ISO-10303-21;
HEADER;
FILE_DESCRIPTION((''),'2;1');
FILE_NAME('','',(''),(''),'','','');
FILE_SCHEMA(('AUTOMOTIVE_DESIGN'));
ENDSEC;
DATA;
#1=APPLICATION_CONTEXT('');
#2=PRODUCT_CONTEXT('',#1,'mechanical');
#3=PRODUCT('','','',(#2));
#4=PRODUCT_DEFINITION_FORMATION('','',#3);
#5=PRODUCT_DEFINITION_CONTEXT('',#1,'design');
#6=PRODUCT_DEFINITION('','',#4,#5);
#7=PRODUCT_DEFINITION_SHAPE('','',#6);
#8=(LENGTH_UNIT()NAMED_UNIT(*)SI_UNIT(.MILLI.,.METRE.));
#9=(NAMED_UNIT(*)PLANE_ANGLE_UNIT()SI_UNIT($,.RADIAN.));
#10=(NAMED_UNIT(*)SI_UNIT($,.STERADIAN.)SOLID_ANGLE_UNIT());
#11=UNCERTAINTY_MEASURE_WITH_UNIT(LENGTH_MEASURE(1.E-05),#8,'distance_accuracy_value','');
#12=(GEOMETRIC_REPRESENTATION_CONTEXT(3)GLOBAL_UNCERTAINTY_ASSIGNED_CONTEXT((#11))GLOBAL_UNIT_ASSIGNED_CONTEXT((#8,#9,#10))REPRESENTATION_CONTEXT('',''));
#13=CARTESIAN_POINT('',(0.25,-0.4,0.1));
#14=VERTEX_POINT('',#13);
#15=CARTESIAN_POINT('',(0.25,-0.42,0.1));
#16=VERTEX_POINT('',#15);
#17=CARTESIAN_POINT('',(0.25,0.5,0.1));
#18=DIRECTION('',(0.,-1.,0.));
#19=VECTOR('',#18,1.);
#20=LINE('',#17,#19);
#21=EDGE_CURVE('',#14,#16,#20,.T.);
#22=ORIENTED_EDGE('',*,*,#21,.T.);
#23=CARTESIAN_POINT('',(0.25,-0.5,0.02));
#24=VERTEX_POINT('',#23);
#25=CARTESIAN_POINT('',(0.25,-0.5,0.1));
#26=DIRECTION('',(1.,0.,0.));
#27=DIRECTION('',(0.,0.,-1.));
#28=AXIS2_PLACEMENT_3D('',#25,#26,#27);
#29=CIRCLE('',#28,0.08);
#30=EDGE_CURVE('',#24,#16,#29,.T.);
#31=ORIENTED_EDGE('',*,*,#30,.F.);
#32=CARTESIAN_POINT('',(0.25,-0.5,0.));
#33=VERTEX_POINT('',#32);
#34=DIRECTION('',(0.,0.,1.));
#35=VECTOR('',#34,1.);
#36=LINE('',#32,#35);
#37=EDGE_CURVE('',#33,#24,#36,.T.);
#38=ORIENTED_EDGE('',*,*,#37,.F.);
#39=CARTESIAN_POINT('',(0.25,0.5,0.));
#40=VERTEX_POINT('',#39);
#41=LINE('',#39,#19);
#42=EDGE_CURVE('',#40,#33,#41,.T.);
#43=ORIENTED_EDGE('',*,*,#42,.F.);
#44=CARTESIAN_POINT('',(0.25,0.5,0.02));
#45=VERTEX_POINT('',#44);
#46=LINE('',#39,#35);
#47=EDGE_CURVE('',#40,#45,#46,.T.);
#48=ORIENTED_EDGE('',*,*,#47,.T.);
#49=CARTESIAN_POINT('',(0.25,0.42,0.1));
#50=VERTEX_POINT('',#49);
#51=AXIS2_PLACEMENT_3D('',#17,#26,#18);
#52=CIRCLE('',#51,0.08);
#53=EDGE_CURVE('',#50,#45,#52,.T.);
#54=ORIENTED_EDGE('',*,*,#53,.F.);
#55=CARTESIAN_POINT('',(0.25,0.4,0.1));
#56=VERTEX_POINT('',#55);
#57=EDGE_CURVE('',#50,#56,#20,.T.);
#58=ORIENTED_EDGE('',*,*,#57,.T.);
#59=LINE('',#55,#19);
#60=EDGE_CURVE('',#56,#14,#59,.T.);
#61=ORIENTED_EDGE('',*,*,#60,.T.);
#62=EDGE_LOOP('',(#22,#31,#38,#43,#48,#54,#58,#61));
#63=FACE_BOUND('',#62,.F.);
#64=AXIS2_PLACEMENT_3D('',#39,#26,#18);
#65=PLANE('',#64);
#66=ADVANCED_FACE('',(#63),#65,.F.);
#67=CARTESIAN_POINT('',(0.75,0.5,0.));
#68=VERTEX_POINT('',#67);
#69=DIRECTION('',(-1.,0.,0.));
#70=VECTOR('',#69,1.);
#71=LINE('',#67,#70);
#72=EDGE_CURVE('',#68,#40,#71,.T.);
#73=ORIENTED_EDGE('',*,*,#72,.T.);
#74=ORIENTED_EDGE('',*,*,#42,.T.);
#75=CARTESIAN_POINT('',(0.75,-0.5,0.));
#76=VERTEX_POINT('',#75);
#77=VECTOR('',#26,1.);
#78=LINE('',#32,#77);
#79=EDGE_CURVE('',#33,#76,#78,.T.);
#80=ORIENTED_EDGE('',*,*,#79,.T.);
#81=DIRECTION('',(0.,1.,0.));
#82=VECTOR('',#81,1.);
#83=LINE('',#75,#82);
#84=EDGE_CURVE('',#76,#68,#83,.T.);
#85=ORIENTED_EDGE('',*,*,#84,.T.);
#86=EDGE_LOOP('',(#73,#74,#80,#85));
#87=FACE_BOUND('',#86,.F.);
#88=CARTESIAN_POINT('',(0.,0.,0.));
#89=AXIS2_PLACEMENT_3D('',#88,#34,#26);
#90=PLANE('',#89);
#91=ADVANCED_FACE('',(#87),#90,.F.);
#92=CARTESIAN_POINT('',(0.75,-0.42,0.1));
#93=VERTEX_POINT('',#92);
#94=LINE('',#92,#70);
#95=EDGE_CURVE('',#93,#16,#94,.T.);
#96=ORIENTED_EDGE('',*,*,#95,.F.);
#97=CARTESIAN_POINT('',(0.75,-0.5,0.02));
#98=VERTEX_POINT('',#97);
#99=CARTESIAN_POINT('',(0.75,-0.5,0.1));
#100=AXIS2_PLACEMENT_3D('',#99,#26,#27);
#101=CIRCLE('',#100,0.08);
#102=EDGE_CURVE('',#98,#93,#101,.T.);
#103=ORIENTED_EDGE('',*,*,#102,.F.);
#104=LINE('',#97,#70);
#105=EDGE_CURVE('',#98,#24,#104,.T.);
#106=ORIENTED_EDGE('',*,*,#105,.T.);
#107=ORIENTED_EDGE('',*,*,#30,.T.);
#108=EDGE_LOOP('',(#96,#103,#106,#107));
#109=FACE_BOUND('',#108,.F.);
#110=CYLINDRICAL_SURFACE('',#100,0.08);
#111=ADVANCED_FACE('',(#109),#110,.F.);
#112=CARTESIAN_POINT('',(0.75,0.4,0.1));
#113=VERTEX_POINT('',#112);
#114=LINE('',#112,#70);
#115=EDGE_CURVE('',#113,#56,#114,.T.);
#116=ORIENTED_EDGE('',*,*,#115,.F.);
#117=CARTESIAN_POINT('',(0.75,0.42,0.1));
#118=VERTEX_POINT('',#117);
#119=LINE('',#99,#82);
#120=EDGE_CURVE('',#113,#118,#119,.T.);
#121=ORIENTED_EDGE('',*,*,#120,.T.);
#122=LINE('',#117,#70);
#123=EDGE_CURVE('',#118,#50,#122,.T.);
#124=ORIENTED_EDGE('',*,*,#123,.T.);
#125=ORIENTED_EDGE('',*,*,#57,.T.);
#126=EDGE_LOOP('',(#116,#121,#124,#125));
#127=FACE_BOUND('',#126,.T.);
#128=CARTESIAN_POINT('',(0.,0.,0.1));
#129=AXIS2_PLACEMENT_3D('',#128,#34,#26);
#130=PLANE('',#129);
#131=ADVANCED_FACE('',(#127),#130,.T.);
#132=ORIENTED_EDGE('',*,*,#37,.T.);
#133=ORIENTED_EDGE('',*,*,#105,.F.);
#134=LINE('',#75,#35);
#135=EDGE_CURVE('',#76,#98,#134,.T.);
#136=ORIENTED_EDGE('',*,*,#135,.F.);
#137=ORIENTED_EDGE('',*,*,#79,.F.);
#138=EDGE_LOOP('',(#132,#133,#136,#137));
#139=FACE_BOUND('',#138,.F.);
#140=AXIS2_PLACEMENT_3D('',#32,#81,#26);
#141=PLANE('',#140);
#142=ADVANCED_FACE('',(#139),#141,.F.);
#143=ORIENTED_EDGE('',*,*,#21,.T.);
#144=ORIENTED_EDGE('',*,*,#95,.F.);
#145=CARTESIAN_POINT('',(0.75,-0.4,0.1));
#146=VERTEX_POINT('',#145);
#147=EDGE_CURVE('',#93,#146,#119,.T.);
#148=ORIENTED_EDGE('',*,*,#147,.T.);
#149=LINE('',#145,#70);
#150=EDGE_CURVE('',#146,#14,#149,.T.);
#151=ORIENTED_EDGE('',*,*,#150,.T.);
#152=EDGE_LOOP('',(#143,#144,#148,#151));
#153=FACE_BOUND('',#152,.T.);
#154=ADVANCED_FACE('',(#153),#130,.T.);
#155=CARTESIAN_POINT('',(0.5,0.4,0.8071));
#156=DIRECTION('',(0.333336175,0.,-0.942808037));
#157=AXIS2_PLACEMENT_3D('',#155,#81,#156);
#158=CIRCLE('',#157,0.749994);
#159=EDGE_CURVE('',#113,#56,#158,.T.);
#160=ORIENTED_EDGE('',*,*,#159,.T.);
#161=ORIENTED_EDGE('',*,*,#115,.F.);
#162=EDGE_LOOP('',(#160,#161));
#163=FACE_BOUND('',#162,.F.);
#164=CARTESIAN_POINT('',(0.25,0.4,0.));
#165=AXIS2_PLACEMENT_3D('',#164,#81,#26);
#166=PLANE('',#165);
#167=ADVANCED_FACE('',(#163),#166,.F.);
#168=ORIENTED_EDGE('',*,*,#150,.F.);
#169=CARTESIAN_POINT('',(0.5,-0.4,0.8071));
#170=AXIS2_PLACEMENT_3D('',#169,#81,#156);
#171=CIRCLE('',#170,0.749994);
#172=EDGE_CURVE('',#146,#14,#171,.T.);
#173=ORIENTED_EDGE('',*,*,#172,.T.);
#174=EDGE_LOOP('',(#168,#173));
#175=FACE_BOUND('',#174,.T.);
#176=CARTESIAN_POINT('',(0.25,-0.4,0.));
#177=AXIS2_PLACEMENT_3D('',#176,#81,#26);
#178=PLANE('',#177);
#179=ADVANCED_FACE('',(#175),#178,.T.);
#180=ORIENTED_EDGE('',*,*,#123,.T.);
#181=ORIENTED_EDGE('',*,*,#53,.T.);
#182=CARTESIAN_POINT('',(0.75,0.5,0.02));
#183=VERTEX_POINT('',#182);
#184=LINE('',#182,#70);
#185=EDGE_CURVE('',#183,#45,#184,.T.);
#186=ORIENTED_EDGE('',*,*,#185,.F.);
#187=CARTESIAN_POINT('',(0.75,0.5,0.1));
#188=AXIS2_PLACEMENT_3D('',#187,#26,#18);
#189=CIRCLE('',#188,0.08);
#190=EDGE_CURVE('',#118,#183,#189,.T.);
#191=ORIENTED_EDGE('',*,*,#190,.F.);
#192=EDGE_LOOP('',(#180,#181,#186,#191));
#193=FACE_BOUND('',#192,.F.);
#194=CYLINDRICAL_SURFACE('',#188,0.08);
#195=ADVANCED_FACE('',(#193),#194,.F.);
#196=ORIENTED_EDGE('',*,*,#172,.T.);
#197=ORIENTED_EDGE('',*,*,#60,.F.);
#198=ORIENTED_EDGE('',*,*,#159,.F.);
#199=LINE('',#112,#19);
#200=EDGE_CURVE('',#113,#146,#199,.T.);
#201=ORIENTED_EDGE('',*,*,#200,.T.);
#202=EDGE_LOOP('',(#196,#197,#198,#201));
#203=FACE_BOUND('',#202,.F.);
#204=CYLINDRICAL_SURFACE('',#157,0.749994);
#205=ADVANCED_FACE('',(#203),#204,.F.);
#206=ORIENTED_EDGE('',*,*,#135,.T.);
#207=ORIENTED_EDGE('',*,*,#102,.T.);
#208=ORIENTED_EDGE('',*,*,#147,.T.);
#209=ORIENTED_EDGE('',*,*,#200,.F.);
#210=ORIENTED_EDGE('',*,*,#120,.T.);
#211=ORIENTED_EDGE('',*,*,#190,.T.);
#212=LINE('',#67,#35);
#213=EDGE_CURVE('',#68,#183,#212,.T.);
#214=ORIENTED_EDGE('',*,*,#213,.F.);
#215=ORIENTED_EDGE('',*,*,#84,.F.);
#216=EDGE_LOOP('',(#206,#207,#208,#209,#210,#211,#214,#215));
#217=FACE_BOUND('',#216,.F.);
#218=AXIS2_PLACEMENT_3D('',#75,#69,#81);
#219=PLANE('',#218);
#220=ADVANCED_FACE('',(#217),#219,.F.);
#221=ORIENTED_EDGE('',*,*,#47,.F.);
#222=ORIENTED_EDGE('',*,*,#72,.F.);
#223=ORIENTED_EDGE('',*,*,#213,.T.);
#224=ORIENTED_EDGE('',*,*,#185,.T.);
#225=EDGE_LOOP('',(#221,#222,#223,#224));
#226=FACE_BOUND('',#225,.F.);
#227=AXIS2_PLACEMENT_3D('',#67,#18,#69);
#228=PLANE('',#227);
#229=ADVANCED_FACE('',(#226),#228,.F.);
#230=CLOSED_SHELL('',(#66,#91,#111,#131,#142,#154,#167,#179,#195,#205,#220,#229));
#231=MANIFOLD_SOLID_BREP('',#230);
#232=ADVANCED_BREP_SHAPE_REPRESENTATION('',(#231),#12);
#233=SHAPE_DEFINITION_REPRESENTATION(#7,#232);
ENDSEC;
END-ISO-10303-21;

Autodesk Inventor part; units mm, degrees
ref_plane "YZ Plane" through (0, 0, 0) normal (1, 0, 0) x (0, 1, 0)
sketch "스케치1" plane through (0, 0, 0) normal (0, 0, 1) x (1, 0, 0)
  line L0 (-0.15, 0) -> (0.9, 0) construction
  line L1 (0, -0.7) -> (0, 0.7) construction
  line L2 (0.25, -0.5) -> (0.75, -0.5)
  line L3 (0.75, -0.5) -> (0.75, 0.5)
  line L4 (0.75, 0.5) -> (0.25, 0.5)
  line L5 (0.25, 0.5) -> (0.25, -0.5)
  point P0 (0, 0)
  point P1 (0.5, -0.5)
  dimension "d7" = 0.5
  dimension "d8" = 1
  dimension "d9" = 0.25
extrude "돌출1" add sketch "스케치1" along normal blind 0.1
sketch "스케치3" plane through (0.25, 0.5, 0) normal (0, 1, 0) x (1, 0, 0)
  line L0 (-0.25, 0.7571) -> (-0.25, -0.2929) construction
  line L1 (-0.4, 0) -> (0.65, 0) construction
  line L2 (0.5, 0) -> (0, 0) projected
  line L3 (0, 0) -> (0, -0.1) projected
  line L4 (0.5, -0.1) -> (0, -0.1) projected
  line L5 (0.5, 0) -> (0.5, -0.1) projected
  arc A0 (0, -0.1) -> (0.5, -0.1) centre (0.25, 0.6071) ccw
  line L6 (0.25, -0.1) -> (0.25, 0.4799) construction
  point P0 (-0.25, 0)
  dimension "d10" = 0.75
sketch "스케치5" plane through (0, 0, 0.1) normal (0, 0, 1) x (1, 0, 0)
  line L0 (0.75, -0.5) -> (0.75, 0.5) projected
  line L1 (0.75, 0.5) -> (0.25, 0.5) projected
  line L2 (0.25, 0.5) -> (0.25, -0.5) projected
  line L3 (0.25, -0.5) -> (0.75, -0.5) projected
  line L4 (-0.15, 0) -> (0.9, 0) construction
  line L5 (0, -0.7) -> (0, 0.7) construction
  line L6 (-0.15, 0) -> (0.9, 0) construction
  line L7 (0, 0.7) -> (0, -0.7) construction
  line L8 (0.75, 0.4) -> (0.25, 0.4)
  line L9 (0.75, -0.4) -> (0.25, -0.4)
  point P0 (0, 0)
  dimension "d18" = 1
  dimension "d19" = 0.4
sketch "스케치6" plane through (0.75, -0.5, 0) normal (1, 0, 0) x (0, 0, -1)
  line L0 (0, 0) -> (0, 1) projected
  line L1 (0, 1) -> (-0.1, 1) projected
  line L2 (-0.1, 0) -> (-0.1, 1) projected
  line L3 (0, 0) -> (-0.1, 0) projected
  line L4 (0, 0.5) -> (-0.1, 0.5) construction
  line L5 (0, 0.92) -> (-0.1, 0.92)
  arc A0 (-0.1, 0.92) -> (-0.02, 1) centre (-0.1, 1) ccw
  arc A1 (-0.02, 0) -> (-0.1, 0.08) centre (-0.1, 0) ccw
  point P0 (-0.05, 0.5)
  point P1 (-0.05, 0.92)
  point P2 (-0.02, 0)
  point P3 (-0.1, 0.08)
  dimension "d20" = 0.42
extrude "돌출5" cut sketch "스케치6" against normal up to surface (0.5 mm away) contours L3 L2 A1 | L2 L1 A0
ref_plane "작업 평면1" through (0.25, 0.4, 0) normal (0, 1, 0) x (1, 0, 0)
sketch "스케치7" plane through (0.25, 0.4, 0) normal (0, 1, 0) x (1, 0, 0)
  line L0 (0, -0.1) -> (0, -0.02) projected
  line L1 (0.5, -0.1) -> (0, -0.1) projected
  line L2 (0.5, -0.02) -> (0.5, -0.1) projected
  line L3 (0, -0.02) -> (0.5, -0.02) projected
  line L4 (0, -0.02) -> (0.5, -0.02) projected
  arc A0 (0.5, -0.1) -> (0, -0.1) centre (0.25, -0.8071) ccw
  point P0 (-0.25, 0)
  dimension "d24" = 0.75
ref_plane "작업 평면2" through (0.25, -0.4, 0) normal (0, -1, 0) x (1, 0, 0)
extrude "돌출6" cut sketch "스케치7" against normal up to surface (0.8 mm away) contours A0 L1
properties part number "flat_surface_1"
